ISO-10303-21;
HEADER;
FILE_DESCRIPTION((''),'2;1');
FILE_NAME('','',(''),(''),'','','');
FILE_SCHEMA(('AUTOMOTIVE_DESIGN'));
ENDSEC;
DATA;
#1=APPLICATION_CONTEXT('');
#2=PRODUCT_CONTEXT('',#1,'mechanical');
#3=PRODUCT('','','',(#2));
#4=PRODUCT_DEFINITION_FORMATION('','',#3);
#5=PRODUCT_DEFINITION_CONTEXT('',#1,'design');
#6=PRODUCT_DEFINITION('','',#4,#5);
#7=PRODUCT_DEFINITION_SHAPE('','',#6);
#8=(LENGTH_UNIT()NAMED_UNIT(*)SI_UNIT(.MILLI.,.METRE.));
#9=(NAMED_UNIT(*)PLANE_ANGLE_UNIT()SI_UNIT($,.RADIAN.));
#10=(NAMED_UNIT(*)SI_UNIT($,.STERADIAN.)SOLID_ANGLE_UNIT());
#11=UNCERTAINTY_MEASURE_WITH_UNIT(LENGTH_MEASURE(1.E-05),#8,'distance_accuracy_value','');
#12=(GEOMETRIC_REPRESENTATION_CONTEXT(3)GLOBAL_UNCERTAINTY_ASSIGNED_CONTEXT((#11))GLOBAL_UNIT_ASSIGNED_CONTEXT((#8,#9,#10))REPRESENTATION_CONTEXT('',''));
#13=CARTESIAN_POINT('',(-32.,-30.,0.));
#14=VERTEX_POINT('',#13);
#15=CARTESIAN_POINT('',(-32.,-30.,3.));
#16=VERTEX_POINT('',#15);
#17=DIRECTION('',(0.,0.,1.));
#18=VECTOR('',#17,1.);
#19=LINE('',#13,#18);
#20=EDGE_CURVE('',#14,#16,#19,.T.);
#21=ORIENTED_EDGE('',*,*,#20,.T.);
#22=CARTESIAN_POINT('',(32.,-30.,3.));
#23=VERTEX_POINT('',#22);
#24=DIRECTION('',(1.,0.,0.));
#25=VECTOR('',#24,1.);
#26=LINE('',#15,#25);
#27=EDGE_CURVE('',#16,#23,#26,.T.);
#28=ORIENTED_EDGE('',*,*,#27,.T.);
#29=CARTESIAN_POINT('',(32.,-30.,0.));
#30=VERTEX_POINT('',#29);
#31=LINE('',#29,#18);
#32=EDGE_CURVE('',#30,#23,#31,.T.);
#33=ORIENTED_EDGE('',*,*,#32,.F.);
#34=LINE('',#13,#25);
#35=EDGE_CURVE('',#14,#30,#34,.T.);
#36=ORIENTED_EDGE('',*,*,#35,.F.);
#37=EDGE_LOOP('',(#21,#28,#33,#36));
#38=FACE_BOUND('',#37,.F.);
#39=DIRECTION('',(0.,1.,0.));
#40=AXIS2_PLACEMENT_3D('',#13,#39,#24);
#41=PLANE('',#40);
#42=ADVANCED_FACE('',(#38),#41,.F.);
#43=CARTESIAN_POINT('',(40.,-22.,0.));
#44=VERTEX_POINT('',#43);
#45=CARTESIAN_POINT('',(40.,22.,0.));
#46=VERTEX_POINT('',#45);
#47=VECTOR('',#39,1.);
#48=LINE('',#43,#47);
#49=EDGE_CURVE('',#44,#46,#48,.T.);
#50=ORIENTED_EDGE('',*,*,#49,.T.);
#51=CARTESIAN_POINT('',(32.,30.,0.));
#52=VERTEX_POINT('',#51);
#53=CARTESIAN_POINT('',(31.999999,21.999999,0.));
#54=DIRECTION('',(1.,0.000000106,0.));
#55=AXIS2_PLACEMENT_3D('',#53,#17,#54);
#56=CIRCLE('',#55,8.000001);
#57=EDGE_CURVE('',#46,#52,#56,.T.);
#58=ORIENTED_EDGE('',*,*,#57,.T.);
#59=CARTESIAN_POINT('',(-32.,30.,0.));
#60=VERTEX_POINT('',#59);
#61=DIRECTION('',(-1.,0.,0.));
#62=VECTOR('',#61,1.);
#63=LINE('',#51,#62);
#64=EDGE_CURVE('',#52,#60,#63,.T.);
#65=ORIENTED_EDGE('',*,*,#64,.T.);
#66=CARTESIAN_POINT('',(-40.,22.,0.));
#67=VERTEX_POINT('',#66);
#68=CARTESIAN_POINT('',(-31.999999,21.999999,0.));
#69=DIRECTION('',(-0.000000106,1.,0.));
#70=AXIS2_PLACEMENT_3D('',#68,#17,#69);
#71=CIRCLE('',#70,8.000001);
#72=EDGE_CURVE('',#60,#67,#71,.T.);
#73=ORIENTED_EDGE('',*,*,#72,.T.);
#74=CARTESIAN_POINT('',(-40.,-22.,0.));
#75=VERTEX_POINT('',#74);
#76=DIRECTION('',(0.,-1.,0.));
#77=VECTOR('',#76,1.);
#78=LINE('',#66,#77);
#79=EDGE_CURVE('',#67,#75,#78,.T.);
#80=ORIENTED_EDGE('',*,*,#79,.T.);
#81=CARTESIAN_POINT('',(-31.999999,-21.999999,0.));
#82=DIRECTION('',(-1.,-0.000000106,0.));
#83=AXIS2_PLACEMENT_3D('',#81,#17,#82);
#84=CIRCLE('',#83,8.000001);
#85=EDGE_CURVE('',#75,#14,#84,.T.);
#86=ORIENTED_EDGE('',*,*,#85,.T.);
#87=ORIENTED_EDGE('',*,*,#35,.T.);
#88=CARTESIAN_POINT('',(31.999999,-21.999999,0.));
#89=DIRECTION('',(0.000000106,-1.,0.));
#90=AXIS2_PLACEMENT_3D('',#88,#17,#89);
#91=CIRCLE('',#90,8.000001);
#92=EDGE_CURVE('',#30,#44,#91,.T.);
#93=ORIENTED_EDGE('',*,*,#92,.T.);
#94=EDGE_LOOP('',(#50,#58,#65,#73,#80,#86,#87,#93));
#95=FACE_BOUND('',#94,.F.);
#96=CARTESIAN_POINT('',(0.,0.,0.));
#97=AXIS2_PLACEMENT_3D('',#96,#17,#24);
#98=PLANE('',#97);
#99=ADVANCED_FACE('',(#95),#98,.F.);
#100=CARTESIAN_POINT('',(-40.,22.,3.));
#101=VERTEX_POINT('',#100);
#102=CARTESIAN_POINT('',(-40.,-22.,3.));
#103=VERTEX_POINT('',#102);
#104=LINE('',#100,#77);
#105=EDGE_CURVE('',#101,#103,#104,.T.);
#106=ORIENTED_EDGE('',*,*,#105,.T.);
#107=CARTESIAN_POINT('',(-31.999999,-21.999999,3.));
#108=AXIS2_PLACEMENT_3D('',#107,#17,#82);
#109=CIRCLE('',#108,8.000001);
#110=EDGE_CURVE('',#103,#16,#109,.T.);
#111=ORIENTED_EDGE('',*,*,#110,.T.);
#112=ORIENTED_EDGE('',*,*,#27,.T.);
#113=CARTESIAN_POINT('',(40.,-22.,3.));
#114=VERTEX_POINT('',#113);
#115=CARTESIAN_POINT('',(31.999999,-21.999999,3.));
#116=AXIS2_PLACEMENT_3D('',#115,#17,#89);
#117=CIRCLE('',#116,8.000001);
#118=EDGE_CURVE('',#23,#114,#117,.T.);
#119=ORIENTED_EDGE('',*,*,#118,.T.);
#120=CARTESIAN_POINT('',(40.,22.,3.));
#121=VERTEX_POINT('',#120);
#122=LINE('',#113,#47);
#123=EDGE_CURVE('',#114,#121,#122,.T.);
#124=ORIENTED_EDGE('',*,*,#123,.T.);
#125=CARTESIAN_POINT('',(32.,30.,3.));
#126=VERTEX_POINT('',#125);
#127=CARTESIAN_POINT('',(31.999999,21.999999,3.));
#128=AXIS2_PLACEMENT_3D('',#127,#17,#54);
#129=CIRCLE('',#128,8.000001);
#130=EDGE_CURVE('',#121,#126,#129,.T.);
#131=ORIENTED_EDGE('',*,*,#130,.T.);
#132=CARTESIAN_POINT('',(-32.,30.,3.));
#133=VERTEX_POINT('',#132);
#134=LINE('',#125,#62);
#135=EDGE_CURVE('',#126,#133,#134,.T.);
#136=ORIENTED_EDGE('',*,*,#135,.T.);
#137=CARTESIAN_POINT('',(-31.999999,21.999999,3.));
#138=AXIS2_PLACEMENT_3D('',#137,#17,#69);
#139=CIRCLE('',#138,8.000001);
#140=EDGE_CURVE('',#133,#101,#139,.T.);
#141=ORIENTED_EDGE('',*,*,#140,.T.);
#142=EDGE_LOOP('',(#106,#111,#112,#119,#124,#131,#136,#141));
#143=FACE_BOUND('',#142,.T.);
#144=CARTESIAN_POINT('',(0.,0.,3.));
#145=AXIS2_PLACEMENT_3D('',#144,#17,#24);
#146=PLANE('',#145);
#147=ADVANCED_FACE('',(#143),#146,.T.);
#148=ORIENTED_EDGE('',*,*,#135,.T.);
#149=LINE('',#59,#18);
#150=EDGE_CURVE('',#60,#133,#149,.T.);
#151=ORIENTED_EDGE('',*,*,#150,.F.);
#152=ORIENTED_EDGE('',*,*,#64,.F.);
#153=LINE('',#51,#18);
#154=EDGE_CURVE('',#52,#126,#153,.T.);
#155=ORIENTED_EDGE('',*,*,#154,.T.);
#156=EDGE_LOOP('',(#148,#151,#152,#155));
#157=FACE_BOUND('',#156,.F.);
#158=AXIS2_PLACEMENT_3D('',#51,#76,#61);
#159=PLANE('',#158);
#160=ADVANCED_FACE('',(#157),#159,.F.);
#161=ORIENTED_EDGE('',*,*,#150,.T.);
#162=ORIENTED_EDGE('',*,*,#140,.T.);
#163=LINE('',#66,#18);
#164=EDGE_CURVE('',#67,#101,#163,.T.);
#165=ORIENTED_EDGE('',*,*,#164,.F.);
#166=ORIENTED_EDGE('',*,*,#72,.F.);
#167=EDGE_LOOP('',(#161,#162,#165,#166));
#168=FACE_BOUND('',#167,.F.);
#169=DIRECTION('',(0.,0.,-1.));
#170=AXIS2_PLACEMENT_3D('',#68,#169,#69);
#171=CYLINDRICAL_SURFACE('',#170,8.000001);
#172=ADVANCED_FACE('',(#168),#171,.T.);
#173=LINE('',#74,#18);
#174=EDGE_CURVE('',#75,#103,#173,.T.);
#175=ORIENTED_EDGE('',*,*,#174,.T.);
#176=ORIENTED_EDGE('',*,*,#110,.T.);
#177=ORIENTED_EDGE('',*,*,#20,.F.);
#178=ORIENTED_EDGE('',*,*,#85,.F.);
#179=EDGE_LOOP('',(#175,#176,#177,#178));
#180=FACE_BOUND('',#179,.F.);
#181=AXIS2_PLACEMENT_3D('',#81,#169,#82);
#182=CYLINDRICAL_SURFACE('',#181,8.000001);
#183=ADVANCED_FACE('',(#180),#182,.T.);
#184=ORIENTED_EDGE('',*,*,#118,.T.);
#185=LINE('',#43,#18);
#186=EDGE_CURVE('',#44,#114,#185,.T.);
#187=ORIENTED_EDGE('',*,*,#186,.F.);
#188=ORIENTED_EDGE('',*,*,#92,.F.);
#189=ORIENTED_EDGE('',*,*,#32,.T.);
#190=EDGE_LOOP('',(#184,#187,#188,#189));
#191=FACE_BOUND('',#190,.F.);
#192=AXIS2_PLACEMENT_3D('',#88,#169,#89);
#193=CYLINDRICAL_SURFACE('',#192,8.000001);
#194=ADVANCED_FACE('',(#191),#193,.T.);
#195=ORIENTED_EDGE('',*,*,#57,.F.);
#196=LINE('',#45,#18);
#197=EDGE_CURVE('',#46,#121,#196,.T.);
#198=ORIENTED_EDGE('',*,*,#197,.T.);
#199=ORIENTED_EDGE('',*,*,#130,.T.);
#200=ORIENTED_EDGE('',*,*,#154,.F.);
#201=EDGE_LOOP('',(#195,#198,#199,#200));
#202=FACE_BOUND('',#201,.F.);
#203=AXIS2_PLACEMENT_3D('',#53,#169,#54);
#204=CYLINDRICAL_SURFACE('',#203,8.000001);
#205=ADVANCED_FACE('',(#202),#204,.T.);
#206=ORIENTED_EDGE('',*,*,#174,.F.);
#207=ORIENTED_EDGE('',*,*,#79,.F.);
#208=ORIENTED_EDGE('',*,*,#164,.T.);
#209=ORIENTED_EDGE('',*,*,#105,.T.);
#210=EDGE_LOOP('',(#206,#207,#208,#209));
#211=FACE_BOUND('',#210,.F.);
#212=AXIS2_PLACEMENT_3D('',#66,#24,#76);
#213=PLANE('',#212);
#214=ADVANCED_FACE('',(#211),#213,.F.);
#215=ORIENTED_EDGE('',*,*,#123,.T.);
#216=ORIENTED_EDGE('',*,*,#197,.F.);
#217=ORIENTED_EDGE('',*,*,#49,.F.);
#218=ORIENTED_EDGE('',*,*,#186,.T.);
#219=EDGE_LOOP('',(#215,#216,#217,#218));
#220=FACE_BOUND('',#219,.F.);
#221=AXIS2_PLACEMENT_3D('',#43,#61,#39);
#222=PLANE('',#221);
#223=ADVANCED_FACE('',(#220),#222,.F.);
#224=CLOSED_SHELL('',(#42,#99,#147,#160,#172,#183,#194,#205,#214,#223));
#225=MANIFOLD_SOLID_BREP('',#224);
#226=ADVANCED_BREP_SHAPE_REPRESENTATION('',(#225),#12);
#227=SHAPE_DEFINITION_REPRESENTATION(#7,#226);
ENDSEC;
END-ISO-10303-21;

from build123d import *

# Parameters (mm, degrees)
F1_DEPTH = 3


with BuildPart() as f1:
    # F0 (on Top) → F1 (new body)
    with BuildSketch(Plane.XY):
        with BuildLine():
            Line((32, 30), (-32, 30))
            ThreePointArc((-32, 30), (-37.656854, 27.656854), (-40, 22))
            Line((-40, 22), (-40, -22))
            ThreePointArc((-40, -22), (-37.656854, -27.656854), (-32, -30))
            Line((-32, -30), (32, -30))
            ThreePointArc((32, -30), (37.656854, -27.656854), (40, -22))
            Line((40, -22), (40, 22))
            ThreePointArc((40, 22), (37.656854, 27.656854), (32, 30))
        make_face()
    extrude(amount=F1_DEPTH)


solid = f1.part
